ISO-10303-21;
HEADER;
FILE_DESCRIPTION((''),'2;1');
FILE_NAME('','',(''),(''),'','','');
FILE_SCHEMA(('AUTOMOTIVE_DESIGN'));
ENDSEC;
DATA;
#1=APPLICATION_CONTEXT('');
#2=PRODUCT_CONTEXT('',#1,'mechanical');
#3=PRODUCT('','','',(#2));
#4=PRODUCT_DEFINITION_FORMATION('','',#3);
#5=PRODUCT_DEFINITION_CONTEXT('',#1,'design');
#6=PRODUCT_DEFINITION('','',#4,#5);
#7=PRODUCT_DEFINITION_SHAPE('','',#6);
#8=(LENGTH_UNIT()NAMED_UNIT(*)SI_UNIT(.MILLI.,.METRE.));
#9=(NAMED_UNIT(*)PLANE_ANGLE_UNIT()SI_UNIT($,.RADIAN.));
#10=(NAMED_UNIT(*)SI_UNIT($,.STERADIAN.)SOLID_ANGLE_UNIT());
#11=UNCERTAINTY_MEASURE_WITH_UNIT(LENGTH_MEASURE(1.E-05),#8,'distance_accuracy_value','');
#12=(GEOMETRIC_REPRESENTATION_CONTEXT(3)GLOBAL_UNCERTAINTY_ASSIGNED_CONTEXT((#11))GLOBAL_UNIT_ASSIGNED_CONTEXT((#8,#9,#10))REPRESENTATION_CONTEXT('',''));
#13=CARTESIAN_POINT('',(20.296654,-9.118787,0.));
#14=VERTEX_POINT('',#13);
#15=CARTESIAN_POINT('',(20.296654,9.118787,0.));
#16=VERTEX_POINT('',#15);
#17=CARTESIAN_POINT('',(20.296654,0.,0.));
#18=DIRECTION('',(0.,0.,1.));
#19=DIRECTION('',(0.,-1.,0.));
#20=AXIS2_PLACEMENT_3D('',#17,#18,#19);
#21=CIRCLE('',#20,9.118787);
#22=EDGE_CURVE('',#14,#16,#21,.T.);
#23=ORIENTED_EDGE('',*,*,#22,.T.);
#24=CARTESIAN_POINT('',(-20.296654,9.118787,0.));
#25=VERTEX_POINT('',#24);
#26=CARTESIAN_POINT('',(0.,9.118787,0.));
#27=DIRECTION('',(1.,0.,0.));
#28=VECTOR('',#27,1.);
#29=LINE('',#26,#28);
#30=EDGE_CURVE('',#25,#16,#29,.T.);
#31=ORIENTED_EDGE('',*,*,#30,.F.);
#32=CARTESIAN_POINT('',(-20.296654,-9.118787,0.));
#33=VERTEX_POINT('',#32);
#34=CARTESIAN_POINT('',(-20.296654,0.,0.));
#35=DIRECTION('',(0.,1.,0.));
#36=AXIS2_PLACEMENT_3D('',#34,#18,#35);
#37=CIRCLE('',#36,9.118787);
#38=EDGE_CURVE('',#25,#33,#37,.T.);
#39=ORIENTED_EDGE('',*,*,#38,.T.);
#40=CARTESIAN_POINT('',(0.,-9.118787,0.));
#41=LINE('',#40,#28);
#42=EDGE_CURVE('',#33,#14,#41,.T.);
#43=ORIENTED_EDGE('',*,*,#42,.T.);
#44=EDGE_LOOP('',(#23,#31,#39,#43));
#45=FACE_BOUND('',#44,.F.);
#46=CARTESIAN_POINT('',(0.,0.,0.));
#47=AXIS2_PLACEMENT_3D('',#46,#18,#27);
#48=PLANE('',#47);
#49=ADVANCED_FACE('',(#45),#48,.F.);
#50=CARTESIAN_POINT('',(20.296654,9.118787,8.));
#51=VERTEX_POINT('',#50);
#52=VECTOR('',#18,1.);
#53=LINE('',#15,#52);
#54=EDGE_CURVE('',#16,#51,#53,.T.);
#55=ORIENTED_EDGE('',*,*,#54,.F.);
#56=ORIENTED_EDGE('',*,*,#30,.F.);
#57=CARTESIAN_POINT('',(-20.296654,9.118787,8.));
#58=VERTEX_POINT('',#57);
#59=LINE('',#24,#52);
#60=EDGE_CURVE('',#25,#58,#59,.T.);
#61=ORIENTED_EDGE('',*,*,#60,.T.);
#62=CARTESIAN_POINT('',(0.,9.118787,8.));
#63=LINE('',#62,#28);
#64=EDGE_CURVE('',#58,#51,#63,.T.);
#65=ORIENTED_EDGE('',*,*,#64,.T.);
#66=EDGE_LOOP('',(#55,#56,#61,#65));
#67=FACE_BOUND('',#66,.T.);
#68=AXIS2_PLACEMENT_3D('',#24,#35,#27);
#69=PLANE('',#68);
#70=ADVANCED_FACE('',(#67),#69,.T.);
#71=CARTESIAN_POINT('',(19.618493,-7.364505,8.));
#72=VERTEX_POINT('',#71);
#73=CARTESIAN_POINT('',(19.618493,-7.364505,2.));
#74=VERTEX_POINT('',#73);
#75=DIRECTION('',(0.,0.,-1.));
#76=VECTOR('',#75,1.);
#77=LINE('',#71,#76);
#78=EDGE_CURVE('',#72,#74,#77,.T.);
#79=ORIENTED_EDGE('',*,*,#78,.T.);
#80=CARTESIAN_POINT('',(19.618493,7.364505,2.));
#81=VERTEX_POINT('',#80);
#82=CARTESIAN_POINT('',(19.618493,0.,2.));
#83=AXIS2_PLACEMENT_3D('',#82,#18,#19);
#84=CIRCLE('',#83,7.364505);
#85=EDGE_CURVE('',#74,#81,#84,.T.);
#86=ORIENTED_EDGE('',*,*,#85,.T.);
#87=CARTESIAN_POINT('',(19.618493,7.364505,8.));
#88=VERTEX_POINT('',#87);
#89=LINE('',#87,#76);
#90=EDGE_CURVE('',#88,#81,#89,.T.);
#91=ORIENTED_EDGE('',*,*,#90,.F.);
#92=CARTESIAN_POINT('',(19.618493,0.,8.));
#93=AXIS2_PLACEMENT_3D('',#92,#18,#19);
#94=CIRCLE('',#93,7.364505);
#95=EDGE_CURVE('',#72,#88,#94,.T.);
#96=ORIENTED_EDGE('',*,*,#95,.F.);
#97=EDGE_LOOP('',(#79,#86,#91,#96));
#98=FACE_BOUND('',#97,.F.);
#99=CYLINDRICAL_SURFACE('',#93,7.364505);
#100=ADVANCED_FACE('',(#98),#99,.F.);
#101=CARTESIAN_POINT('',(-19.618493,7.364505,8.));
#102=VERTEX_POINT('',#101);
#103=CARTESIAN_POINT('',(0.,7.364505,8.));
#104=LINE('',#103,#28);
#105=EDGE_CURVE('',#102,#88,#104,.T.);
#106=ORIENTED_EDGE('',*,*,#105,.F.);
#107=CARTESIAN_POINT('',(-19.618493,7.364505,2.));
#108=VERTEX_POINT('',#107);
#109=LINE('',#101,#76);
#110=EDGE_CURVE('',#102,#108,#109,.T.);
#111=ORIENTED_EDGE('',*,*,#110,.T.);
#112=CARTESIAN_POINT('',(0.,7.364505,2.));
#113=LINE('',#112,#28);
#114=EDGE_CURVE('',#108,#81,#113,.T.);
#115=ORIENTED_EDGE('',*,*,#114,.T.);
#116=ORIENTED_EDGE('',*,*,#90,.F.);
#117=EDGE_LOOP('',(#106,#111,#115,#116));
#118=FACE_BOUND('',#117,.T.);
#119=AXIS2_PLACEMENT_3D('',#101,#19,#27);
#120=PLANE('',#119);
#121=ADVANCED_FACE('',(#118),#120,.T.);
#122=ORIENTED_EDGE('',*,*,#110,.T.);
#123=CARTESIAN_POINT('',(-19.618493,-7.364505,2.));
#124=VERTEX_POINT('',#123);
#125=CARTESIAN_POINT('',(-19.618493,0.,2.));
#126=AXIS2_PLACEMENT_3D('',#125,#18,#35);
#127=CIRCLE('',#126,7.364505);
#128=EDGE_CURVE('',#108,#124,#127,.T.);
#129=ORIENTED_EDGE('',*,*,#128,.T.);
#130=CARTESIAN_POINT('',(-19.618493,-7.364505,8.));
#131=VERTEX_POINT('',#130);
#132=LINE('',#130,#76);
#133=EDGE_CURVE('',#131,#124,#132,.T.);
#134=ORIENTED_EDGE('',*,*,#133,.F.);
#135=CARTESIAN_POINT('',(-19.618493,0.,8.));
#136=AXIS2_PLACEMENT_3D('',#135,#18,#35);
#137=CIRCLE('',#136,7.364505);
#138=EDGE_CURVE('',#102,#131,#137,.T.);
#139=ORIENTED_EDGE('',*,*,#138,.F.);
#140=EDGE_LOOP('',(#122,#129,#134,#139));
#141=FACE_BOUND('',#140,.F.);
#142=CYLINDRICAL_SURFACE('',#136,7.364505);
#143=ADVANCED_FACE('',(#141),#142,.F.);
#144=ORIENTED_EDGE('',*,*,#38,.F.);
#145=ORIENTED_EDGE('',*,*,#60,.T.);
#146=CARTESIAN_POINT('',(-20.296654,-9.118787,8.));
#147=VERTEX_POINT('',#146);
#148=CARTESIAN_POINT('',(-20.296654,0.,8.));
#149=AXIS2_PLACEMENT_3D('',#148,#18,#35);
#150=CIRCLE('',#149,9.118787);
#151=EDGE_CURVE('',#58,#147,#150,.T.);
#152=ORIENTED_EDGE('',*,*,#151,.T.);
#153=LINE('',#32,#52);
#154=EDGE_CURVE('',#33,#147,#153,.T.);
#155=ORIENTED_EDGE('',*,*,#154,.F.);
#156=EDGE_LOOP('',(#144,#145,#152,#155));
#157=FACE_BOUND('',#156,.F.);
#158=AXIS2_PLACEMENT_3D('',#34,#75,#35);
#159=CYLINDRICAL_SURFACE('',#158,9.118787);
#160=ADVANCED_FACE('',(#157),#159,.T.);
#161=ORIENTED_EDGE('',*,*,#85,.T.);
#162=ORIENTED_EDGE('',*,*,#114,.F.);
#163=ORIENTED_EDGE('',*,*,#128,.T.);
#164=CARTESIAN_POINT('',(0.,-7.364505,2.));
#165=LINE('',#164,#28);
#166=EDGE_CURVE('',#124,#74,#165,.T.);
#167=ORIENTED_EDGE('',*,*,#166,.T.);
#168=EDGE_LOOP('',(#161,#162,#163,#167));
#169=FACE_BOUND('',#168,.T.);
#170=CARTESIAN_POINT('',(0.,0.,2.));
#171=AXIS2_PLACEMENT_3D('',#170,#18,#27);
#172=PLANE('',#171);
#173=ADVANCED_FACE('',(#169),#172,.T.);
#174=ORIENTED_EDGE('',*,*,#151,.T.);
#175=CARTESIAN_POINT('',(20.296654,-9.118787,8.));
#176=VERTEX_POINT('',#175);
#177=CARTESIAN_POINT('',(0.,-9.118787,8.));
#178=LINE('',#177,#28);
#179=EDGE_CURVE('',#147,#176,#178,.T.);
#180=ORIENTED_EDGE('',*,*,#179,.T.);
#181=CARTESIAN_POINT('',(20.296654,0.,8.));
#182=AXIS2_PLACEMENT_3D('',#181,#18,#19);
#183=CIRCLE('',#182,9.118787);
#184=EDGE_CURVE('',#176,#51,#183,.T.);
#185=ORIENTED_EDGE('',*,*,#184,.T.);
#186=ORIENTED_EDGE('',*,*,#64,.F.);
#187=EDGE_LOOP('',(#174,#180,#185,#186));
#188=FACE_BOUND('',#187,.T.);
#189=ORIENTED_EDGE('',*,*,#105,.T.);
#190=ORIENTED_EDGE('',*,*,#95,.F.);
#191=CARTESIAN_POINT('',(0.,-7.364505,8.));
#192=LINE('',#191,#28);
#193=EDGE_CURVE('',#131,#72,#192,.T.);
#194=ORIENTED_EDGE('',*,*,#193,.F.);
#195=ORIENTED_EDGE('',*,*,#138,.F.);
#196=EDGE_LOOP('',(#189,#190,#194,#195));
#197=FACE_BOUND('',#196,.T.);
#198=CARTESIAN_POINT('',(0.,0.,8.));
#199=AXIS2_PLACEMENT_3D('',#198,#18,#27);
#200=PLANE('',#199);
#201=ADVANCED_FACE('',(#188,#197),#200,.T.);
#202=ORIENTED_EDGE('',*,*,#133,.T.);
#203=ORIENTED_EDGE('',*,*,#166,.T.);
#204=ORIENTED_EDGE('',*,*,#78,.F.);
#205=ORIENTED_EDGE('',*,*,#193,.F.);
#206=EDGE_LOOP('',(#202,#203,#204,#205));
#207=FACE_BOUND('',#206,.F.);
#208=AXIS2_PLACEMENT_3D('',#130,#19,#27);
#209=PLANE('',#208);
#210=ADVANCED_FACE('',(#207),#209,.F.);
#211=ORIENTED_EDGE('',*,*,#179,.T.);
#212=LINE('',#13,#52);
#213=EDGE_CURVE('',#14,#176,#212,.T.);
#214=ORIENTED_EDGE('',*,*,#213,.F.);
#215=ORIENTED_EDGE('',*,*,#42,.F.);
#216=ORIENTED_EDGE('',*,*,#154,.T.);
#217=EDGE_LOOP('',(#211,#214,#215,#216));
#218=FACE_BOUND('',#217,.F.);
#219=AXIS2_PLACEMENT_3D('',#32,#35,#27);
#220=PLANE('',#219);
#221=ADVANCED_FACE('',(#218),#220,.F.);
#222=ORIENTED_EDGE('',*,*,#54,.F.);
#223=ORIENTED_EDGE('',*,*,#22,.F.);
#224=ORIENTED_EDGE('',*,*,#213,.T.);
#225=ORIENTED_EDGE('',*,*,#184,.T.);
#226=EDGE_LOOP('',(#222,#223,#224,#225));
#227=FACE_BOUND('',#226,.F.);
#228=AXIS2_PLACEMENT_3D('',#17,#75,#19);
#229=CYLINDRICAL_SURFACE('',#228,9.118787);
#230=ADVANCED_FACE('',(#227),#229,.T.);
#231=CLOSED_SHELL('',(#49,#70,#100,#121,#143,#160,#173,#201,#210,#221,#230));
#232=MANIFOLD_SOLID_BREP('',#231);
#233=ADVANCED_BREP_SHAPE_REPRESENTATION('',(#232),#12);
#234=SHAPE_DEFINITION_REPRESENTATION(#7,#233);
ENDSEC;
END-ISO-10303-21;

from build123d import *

# Parameters (mm, degrees)
F0_W     = 40.593308
F0_H     = 18.237574
F1_DEPTH = 8
F2_W     = 39.236986
F2_H     = 14.72901
F3_DEPTH = 6


with BuildPart() as f1:
    # F0 (on Top) → F1 (new body)
    with BuildSketch(Plane.XY):
        Rectangle(F0_W, F0_H)
        with BuildLine():
            Line((20.296654, 9.118787), (20.296654, -9.118787))
            ThreePointArc((20.296654, -9.118787), (29.415441, 0), (20.296654, 9.118787))
        make_face()
        with BuildLine():
            ThreePointArc((-20.296654, 9.118787), (-29.415441, 0), (-20.296654, -9.118787))
            Line((-20.296654, -9.118787), (-20.296654, 9.118787))
        make_face()
    extrude(amount=F1_DEPTH)

    # F2 (on face) → F3 (cut)
    with BuildSketch(Plane.XY.offset(8)):
        Rectangle(F2_W, F2_H)
        with BuildLine():
            Line((19.618493, 7.364505), (19.618493, -7.364505))
            ThreePointArc((19.618493, -7.364505), (26.982998, 0), (19.618493, 7.364505))
        make_face()
        with BuildLine():
            ThreePointArc((-19.618493, 7.364505), (-26.982998, 0), (-19.618493, -7.364505))
            Line((-19.618493, -7.364505), (-19.618493, 7.364505))
        make_face()
    extrude(amount=-F3_DEPTH, mode=Mode.SUBTRACT)


solid = f1.part
